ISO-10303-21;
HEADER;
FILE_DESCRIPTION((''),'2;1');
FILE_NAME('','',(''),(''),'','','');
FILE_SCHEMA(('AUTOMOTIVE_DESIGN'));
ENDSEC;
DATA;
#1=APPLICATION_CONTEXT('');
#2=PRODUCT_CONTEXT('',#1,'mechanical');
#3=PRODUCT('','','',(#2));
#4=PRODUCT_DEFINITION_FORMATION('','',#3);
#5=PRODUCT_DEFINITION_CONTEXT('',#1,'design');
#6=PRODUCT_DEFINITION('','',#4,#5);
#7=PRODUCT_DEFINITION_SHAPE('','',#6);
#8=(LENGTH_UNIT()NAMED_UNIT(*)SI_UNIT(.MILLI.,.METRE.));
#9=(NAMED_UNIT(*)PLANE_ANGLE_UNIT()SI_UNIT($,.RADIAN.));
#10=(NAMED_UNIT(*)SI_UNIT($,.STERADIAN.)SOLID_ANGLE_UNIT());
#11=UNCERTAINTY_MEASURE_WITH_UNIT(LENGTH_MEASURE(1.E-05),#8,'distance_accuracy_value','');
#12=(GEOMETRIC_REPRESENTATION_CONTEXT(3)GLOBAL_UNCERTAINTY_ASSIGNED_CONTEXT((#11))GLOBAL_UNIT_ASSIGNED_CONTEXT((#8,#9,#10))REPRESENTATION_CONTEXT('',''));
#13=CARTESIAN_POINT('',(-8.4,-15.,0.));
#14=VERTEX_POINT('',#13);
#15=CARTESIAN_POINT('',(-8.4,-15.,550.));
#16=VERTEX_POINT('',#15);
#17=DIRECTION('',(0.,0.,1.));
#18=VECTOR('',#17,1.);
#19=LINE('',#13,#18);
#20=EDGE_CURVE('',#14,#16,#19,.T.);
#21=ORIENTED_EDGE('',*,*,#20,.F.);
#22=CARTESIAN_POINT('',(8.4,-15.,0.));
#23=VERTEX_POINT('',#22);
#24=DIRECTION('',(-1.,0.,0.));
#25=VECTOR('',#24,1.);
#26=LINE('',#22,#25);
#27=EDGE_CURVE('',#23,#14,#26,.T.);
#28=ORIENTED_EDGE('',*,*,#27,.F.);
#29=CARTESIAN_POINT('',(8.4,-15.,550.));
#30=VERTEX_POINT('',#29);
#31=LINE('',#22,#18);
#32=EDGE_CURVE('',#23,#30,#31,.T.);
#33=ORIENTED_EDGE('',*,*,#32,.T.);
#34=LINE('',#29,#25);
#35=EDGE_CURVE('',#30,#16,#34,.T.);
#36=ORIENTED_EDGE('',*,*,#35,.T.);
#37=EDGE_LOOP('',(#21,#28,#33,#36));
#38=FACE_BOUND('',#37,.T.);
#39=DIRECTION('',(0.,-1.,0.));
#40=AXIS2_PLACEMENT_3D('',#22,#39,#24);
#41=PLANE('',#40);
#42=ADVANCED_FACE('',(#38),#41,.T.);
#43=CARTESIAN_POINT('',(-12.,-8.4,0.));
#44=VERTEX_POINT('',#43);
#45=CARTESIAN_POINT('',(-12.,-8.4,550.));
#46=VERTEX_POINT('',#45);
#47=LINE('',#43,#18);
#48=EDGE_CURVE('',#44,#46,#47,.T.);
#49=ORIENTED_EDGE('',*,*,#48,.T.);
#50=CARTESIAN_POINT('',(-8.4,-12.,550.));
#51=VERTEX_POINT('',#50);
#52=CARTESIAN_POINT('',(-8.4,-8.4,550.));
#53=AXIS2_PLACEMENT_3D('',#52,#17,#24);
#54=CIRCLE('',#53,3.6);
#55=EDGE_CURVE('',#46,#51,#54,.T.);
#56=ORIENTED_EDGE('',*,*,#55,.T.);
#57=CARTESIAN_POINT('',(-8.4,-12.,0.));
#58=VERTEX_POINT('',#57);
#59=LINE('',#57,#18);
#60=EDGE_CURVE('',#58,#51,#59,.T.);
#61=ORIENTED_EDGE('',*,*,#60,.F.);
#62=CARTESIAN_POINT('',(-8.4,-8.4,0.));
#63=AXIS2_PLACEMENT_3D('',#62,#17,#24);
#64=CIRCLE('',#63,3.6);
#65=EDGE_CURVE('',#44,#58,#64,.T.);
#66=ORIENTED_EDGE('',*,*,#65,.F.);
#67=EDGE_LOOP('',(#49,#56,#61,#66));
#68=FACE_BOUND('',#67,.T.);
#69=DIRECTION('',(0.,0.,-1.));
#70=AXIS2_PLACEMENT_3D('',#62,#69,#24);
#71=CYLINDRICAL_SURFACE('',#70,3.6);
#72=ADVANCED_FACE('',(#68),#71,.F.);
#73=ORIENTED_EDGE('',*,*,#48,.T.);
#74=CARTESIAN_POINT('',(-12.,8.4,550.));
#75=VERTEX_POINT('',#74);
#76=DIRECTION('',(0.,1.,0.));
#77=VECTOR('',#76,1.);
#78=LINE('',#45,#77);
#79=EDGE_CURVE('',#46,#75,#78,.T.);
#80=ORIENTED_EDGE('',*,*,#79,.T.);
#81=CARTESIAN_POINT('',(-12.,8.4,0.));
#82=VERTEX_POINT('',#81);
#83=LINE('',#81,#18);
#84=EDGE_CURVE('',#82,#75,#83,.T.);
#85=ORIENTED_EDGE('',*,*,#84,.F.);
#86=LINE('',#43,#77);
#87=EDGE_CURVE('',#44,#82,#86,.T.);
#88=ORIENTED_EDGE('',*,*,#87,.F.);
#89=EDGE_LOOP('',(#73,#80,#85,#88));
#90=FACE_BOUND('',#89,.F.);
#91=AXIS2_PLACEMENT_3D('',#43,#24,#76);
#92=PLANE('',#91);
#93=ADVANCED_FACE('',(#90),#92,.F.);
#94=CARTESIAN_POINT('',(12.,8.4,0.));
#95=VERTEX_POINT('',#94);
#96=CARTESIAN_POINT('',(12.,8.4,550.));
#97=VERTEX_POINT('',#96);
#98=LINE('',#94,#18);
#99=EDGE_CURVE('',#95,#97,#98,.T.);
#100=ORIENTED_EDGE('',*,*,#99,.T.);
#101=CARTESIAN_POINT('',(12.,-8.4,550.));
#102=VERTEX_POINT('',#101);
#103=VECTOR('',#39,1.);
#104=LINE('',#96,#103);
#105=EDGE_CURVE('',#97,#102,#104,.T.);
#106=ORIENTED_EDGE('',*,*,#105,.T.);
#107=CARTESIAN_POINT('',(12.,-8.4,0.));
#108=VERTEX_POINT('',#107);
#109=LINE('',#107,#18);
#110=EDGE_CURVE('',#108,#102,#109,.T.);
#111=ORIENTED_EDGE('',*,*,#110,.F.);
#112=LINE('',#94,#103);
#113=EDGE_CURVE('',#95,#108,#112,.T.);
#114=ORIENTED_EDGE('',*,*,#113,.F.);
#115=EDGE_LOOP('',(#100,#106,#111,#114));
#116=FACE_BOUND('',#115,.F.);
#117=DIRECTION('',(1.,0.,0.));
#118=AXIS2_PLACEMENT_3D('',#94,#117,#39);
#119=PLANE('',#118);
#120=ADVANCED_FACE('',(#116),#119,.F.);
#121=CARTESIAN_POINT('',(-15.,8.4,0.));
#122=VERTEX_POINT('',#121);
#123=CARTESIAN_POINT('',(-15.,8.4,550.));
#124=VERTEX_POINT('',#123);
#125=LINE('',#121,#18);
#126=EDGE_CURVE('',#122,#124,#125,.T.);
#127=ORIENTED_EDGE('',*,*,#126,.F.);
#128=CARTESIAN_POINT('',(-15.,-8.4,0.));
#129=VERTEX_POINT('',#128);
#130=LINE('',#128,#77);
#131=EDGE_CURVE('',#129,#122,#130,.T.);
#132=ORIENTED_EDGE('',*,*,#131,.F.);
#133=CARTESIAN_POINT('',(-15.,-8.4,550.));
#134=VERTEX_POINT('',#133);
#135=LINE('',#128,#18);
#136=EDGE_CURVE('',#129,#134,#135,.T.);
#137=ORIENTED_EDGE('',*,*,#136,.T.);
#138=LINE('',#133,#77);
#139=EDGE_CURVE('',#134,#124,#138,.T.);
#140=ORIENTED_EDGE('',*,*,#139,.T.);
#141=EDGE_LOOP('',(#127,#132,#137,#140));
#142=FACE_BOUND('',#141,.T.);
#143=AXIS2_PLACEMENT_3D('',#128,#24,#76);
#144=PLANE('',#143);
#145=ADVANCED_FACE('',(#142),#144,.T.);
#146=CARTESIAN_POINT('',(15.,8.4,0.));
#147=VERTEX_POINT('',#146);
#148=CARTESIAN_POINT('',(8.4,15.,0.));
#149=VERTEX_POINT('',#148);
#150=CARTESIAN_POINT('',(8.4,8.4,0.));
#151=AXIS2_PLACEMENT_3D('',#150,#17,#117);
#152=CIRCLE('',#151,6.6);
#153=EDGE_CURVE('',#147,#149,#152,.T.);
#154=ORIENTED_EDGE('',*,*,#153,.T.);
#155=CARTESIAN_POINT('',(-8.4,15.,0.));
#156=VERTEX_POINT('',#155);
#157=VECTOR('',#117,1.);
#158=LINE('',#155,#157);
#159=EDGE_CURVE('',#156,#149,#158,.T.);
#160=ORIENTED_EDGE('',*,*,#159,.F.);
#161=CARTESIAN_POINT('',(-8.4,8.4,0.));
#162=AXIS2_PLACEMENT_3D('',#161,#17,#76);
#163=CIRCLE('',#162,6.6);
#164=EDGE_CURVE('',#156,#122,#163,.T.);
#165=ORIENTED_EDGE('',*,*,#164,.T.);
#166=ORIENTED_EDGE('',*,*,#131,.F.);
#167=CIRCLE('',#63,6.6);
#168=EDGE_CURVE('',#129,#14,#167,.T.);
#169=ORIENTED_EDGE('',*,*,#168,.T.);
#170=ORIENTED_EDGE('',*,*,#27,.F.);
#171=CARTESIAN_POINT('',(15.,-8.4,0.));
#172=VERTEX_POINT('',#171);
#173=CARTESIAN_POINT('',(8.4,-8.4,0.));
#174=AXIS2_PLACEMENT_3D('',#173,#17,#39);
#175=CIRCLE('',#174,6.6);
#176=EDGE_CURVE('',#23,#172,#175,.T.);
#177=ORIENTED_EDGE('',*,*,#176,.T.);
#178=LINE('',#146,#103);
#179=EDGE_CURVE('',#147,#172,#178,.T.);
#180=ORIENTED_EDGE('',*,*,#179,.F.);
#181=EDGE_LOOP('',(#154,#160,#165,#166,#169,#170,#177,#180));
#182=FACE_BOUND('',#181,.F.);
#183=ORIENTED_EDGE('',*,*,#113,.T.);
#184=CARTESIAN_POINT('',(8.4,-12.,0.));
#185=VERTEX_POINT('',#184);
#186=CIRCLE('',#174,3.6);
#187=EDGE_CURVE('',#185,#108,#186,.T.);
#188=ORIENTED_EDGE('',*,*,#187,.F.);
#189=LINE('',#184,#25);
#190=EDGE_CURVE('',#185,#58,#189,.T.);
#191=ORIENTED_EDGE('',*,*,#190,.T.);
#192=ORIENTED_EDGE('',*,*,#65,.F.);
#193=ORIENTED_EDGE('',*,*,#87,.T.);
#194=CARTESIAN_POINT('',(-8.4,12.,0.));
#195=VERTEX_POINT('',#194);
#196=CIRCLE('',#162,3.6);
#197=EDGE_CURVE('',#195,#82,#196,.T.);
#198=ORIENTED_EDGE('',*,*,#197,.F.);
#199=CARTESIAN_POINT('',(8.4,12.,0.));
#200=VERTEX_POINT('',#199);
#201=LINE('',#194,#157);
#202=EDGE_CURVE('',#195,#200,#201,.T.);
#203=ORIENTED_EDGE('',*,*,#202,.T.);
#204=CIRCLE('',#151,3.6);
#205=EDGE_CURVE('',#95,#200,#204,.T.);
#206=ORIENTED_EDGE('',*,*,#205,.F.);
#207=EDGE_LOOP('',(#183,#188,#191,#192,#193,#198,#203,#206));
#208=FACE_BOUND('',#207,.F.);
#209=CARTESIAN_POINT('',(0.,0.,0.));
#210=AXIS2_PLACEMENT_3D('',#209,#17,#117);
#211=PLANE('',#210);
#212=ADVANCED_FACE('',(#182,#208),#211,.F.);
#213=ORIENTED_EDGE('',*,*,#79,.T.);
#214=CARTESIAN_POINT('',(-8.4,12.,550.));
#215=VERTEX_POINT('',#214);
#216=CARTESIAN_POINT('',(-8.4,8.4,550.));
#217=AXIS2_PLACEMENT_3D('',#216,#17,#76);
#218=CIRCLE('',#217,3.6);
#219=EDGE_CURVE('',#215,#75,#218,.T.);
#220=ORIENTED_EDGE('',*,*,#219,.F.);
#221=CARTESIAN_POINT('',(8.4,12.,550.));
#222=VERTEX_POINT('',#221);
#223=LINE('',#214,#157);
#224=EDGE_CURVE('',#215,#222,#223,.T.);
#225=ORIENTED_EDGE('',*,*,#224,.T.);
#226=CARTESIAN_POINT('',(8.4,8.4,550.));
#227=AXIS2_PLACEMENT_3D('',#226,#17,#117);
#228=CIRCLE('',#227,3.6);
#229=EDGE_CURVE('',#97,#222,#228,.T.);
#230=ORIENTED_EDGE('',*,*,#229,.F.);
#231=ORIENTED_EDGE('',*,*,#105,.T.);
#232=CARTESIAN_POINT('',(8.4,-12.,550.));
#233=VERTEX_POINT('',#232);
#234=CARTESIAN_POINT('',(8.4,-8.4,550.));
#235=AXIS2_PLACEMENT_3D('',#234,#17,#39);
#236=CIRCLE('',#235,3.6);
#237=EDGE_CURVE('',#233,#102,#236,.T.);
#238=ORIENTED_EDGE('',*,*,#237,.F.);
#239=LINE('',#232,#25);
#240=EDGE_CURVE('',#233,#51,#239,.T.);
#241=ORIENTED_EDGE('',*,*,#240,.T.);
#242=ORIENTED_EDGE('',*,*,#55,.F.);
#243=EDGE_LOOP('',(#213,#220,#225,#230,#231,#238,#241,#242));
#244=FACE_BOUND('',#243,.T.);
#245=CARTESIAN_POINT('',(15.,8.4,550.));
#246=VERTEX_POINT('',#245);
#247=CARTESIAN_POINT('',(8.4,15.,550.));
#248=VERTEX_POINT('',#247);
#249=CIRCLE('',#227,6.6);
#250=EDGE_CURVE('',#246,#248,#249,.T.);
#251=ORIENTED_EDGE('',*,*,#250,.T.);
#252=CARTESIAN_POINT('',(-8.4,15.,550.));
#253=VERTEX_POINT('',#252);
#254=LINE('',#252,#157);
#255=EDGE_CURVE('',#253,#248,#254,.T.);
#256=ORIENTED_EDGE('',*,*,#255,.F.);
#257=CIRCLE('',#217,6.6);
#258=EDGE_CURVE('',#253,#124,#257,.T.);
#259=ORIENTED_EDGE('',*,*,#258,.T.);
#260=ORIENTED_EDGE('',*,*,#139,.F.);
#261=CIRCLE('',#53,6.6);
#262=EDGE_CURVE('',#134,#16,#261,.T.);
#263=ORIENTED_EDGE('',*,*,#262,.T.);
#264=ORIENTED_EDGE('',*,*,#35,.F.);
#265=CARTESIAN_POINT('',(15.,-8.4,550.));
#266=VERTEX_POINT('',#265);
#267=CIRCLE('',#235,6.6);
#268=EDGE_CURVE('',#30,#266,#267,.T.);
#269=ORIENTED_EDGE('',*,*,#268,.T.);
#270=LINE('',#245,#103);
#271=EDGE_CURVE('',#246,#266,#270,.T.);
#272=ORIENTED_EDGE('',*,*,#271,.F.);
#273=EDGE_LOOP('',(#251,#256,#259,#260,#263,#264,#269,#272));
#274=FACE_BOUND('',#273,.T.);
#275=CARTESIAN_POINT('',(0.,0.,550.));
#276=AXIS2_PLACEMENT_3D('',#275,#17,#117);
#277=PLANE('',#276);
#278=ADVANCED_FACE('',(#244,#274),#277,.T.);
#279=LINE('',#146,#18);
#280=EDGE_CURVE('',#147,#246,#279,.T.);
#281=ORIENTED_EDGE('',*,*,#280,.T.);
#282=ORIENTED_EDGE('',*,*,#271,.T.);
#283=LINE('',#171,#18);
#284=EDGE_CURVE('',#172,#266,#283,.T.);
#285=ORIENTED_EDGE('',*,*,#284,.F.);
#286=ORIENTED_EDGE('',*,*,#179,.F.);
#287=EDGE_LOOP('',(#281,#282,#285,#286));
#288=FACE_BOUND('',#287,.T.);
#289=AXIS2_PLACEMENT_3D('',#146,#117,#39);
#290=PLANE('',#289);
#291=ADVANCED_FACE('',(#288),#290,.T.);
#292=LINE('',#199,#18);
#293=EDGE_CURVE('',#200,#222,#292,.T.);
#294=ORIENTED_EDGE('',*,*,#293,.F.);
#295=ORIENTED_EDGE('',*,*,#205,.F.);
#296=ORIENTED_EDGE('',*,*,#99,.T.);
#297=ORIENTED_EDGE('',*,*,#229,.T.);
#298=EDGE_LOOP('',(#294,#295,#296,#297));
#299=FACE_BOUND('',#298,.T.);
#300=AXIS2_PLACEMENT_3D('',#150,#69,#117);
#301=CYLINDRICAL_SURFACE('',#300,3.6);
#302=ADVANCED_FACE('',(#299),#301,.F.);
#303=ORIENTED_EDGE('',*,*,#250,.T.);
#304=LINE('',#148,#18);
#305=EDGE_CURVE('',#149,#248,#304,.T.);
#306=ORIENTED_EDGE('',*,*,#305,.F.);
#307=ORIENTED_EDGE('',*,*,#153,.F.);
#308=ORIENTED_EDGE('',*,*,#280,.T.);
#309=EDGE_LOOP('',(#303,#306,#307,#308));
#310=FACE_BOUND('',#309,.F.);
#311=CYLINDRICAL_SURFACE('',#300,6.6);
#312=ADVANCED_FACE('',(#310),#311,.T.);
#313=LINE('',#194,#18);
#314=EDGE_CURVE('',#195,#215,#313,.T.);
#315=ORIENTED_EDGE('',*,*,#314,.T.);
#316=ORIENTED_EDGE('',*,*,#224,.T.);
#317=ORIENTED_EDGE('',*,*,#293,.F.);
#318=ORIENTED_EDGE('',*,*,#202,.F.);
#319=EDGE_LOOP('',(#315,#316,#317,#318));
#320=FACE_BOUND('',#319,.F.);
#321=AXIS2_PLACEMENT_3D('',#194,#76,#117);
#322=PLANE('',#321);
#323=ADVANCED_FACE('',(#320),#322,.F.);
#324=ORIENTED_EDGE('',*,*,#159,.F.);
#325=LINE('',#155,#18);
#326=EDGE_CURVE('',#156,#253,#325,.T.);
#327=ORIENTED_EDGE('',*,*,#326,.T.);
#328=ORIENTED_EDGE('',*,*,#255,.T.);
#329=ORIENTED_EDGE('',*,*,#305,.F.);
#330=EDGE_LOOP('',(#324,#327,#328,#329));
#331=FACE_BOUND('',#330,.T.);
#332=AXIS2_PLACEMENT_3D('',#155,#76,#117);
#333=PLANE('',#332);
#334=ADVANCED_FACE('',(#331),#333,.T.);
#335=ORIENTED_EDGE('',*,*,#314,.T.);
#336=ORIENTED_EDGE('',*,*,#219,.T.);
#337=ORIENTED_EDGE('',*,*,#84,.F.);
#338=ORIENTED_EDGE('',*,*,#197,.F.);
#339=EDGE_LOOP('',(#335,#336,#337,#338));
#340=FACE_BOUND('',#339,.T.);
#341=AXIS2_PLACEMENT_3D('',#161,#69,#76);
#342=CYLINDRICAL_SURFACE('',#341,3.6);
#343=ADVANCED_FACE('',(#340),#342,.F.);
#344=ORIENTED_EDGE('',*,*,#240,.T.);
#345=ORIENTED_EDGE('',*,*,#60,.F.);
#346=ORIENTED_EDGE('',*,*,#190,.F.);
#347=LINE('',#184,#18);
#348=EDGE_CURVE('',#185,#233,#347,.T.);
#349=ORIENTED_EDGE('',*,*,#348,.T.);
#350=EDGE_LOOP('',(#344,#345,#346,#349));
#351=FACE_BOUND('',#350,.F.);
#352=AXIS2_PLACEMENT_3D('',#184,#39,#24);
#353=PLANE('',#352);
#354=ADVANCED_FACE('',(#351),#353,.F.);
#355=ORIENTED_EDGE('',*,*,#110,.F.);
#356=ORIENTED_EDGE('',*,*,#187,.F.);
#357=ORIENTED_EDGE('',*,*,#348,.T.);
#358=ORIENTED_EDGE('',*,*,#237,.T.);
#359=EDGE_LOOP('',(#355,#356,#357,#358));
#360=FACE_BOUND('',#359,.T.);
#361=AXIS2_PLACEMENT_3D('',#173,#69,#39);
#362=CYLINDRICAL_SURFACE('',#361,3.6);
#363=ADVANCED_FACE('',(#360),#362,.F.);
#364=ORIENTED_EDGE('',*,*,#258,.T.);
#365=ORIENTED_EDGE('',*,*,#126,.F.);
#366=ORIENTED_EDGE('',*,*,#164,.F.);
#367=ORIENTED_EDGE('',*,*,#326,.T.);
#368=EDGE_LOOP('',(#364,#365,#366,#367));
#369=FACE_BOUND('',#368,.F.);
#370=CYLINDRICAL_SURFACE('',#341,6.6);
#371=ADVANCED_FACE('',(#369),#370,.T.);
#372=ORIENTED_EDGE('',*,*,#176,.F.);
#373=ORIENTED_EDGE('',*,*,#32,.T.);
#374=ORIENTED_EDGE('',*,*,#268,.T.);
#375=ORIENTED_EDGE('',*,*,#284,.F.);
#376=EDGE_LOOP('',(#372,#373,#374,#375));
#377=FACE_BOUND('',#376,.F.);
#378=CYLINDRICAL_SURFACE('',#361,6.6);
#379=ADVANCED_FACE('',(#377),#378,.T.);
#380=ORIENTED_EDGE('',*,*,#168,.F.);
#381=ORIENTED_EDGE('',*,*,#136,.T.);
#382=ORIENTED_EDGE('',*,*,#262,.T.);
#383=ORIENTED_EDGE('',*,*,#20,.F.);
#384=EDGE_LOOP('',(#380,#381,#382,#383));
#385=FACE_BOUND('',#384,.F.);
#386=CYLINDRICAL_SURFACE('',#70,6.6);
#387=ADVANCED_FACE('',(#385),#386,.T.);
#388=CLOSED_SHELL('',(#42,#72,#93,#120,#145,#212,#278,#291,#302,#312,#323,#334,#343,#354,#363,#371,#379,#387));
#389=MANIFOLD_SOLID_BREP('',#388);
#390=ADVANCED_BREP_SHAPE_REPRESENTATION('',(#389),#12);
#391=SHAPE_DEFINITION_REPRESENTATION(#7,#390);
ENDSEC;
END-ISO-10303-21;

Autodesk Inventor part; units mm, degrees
ref_plane "YZ Plane" through (0, 0, 0) normal (1, 0, 0) x (0, 1, 0)
ref_plane "Plano inicial" through (0, 0, 0) normal (0, 0, 1) x (1, 0, 0)
ref_plane "Plano final" through (0, 0, 550) normal (0, 0, 1) x (1, 0, 0)
sketch "Rascunho" plane through (0, 0, 0) normal (0, 0, 1) x (1, 0, 0)
  line L0 (-15, -8.4) -> (-15, 8.4)
  line L1 (-8.4, 15) -> (8.4, 15)
  line L2 (15, 8.4) -> (15, -8.4)
  line L3 (8.4, -15) -> (-8.4, -15)
  arc A0 (-15, -8.4) -> (-8.4, -15) centre (-8.4, -8.4) ccw
  arc A1 (-8.4, 15) -> (-15, 8.4) centre (-8.4, 8.4) ccw
  arc A2 (15, 8.4) -> (8.4, 15) centre (8.4, 8.4) ccw
  arc A3 (8.4, -15) -> (15, -8.4) centre (8.4, -8.4) ccw
  arc A4 (-8.4, 12) -> (-12, 8.4) centre (-8.4, 8.4) ccw
  line L4 (-8.4, 12) -> (8.4, 12)
  arc A5 (12, 8.4) -> (8.4, 12) centre (8.4, 8.4) ccw
  line L5 (12, 8.4) -> (12, -8.4)
  arc A6 (8.4, -12) -> (12, -8.4) centre (8.4, -8.4) ccw
  line L6 (8.4, -12) -> (-8.4, -12)
  arc A7 (-12, -8.4) -> (-8.4, -12) centre (-8.4, -8.4) ccw
  line L7 (-12, -8.4) -> (-12, 8.4)
  line L8 (0, 22.9137) -> (0, -22.9137) construction
  line L9 (-22.9137, 0) -> (22.9137, 0) construction
  dimension "d7" = 6.6
  dimension "d10" = 30
  dimension "d11" = 30
  dimension "d12" = 3
  dimension "d15" = 15
  dimension "d16" = 15
extrude "Corpo" add sketch "Rascunho" along normal up to surface (550 mm away) from surface at 0
sketch "Sketch3" plane through (0, 0, 0) normal (0, 0, 1) x (1, 0, 0)
  line L0 (0, 0) -> (10, 0)
ref_plane "Work Plane3" through (0, 0, 0) normal (0, -1, 0) x (1, 0, 0)
sketch "Sketch4" plane through (0, 0, 0) normal (0, -1, 0) x (1, 0, 0)
  line L0 (-2, 0) -> (12, 0) projected
  line L1 (-2, 550) -> (12, 550) projected
  dimension "d18" = 550
equation "\"d7\" = G_IR"
equation "\"d10\" = G_H"
equation "\"d11\" = G_W"
equation "\"d12\" = G_T"
equation "\"d15\" = 0.5 * d10"
equation "\"d16\" = 0.5 * d11"
equation "\"d3\" = G_L"
equation "\"G_W\" = 30"
equation "\"G_H\" = 30"
equation "\"G_T\" = 3"
equation "\"G_IR\" = 6.6"
equation "\"G_L\" = d18"
equation "\"G_OFFSET_START\" = 0"
equation "\"G_OFFSET_END\" = 0"
properties part number "DIN EN 10305-5 - 30 x 30 x 3  - 550" material "Aço, suave"
